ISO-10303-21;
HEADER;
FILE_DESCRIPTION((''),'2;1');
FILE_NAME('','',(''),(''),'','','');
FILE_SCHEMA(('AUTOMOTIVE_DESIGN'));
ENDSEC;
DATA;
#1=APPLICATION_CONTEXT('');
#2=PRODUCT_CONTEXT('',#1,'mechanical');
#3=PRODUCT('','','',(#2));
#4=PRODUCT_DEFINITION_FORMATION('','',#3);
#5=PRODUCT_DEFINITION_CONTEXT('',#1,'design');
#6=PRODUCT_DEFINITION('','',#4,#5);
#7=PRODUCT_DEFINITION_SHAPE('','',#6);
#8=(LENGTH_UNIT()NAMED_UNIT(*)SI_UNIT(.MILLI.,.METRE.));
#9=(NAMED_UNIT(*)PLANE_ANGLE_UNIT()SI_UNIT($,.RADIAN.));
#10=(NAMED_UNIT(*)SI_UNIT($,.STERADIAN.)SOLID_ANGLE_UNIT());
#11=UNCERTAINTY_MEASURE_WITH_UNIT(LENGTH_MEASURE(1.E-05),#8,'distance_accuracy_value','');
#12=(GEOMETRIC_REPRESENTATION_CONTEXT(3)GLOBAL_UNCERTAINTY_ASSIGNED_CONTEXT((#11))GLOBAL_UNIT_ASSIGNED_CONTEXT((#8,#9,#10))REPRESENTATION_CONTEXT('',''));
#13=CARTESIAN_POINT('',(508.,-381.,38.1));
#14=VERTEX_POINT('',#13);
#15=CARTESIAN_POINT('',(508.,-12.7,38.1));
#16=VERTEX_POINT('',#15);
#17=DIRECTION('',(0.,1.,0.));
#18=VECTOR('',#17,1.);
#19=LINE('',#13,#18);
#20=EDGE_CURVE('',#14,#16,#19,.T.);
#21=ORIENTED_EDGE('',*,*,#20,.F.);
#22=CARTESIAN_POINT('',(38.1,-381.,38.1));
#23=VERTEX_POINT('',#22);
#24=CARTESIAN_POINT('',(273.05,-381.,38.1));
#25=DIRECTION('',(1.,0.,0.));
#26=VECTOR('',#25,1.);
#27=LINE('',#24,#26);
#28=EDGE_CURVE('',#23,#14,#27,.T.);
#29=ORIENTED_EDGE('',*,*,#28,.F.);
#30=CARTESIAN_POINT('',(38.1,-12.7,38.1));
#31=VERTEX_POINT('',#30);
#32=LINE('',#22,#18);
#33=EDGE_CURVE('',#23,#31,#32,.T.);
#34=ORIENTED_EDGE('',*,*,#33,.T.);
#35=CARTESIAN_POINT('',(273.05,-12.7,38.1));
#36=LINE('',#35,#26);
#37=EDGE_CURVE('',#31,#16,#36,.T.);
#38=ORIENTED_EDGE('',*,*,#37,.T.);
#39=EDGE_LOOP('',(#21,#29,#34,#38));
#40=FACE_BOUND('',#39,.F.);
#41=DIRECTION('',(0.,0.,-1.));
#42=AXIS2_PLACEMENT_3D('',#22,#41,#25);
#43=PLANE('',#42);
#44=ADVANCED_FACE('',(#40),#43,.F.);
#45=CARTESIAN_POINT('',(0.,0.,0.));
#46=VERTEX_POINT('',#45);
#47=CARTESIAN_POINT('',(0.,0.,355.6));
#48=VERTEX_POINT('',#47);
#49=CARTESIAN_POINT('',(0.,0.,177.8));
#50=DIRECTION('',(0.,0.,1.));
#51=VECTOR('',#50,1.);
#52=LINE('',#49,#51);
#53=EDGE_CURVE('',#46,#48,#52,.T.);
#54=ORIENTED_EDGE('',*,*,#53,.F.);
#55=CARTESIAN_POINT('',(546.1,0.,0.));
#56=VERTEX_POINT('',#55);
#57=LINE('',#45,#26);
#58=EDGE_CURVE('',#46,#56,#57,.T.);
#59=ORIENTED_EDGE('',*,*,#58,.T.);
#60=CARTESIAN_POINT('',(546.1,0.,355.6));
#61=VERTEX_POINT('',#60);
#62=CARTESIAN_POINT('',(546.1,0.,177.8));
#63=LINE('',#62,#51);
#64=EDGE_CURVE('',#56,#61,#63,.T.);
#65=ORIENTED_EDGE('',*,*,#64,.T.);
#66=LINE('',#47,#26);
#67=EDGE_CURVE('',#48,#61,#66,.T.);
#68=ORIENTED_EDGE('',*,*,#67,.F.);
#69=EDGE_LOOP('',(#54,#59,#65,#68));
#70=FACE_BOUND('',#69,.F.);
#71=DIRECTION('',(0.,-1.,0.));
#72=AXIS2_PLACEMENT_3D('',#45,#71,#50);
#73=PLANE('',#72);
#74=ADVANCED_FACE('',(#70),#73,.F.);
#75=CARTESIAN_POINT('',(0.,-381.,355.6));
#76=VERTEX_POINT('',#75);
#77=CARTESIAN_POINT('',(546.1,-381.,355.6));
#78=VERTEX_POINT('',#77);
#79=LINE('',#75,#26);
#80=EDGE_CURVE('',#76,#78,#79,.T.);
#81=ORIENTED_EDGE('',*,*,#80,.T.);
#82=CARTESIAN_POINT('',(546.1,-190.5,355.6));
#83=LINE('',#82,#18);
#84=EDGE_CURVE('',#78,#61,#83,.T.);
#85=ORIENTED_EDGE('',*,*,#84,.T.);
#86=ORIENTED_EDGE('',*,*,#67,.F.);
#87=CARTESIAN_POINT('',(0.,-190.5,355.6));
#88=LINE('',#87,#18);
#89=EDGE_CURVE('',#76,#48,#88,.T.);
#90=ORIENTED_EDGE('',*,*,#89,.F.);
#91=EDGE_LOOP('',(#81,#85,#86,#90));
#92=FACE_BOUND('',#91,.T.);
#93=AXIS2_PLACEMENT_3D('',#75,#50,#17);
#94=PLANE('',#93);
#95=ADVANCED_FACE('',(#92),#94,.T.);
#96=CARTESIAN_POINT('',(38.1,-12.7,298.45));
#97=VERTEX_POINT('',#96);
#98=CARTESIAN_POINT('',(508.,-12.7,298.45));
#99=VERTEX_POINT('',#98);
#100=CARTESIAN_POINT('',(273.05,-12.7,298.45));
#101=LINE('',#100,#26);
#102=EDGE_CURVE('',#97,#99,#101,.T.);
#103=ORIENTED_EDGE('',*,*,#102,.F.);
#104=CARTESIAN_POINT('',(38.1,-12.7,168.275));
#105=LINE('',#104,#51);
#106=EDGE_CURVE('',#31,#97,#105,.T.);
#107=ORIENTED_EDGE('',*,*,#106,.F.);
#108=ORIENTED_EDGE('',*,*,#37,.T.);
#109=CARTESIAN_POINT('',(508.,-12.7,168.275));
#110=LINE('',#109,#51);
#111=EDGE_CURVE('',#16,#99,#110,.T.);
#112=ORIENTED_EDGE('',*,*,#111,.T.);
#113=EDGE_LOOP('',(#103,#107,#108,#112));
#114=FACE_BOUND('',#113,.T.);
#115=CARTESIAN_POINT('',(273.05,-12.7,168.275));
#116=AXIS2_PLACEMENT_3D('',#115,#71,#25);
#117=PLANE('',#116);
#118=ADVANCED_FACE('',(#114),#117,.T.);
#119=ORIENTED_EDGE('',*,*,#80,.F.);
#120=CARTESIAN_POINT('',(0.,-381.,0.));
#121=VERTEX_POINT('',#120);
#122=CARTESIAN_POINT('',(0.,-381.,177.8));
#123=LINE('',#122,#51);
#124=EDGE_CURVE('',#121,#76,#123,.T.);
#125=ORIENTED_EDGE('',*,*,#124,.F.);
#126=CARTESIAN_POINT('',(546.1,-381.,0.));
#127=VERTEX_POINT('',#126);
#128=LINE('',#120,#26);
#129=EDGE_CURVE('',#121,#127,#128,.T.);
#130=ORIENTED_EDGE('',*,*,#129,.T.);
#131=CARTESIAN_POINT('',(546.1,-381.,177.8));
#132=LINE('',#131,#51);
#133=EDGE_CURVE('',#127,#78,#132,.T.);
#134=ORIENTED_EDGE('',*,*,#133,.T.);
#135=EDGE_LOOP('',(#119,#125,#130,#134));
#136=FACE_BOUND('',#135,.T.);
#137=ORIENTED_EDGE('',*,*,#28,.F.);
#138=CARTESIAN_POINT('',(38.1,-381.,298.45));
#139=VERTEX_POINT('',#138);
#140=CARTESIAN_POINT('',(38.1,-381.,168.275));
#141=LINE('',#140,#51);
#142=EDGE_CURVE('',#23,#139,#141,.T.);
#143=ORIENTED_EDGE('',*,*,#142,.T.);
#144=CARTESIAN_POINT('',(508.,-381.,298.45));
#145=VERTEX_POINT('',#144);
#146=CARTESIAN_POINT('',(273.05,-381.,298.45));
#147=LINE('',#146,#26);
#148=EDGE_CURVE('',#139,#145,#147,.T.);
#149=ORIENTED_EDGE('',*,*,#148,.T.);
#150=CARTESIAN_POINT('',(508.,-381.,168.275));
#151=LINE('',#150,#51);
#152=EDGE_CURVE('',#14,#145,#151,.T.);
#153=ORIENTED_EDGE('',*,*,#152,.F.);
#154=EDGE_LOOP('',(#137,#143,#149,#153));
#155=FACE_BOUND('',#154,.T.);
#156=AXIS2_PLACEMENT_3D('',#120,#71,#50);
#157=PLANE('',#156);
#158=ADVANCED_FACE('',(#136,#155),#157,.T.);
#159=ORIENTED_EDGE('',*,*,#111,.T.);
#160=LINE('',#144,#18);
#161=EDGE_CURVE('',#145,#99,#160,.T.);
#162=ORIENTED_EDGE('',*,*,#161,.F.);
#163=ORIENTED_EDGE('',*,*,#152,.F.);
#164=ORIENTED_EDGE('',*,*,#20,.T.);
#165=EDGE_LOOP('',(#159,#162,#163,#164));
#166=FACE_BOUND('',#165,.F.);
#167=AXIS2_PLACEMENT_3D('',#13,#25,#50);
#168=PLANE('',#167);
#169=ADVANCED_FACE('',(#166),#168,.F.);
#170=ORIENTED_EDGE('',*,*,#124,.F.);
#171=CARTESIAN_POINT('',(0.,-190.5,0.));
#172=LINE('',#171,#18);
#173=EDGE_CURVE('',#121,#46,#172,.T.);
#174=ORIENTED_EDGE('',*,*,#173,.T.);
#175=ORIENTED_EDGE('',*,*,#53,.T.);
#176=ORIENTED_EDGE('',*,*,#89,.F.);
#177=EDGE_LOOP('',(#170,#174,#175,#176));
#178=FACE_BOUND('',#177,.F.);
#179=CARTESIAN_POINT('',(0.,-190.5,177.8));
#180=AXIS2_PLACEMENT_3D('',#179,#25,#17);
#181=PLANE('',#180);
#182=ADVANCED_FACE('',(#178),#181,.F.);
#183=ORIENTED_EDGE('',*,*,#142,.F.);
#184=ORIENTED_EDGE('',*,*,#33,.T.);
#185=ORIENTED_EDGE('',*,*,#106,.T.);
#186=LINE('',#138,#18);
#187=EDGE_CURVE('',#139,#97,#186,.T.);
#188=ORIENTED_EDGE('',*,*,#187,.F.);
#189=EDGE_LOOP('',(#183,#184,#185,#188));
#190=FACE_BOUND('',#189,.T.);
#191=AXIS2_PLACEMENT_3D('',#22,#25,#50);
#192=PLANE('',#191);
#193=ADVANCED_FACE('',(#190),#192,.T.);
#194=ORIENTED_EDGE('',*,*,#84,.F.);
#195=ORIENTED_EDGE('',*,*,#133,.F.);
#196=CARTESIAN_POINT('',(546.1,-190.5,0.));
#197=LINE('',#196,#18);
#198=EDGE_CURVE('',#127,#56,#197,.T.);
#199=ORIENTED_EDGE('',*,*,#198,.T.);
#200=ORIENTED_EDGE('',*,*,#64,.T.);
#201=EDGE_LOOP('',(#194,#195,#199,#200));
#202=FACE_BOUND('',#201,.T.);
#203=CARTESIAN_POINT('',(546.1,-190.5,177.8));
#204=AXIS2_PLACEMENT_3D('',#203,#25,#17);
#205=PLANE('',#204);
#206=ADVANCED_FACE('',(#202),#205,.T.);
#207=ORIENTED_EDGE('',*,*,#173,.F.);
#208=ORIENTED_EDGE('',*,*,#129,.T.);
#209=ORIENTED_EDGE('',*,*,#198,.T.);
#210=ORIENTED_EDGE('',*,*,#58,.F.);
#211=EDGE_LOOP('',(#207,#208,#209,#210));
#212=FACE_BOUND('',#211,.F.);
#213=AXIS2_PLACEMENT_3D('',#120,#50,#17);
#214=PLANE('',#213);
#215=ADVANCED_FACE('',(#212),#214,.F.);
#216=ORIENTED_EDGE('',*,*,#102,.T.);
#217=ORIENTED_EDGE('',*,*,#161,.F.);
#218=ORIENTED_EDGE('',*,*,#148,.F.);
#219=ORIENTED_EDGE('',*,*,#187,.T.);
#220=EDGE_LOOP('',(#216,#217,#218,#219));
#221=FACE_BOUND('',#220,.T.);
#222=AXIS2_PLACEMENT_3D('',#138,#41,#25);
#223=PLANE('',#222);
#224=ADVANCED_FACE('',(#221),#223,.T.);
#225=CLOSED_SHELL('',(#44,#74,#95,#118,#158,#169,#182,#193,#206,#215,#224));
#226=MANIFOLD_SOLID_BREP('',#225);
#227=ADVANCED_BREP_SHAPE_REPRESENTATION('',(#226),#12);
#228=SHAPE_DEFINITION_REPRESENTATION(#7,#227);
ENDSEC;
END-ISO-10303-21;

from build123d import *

# Parameters (mm, degrees)
F0_W     = 381
F0_H     = 355.6
F1_DEPTH = 546.1
F2_W     = 469.9
F2_H     = 260.35
F3_DEPTH = 368.3


with BuildPart() as f1:
    # F0 (on Right) → F1 (new body)
    with BuildSketch(Plane.YZ):
        with Locations((-190.5, 177.8)):
            Rectangle(F0_W, F0_H)
    extrude(amount=F1_DEPTH)

    # F2 (on face) → F3 (cut)
    with BuildSketch(Plane.XZ.offset(381)):
        with Locations((273.05, 168.275)):
            Rectangle(F2_W, F2_H)
    extrude(amount=-F3_DEPTH, mode=Mode.SUBTRACT)


solid = f1.part
